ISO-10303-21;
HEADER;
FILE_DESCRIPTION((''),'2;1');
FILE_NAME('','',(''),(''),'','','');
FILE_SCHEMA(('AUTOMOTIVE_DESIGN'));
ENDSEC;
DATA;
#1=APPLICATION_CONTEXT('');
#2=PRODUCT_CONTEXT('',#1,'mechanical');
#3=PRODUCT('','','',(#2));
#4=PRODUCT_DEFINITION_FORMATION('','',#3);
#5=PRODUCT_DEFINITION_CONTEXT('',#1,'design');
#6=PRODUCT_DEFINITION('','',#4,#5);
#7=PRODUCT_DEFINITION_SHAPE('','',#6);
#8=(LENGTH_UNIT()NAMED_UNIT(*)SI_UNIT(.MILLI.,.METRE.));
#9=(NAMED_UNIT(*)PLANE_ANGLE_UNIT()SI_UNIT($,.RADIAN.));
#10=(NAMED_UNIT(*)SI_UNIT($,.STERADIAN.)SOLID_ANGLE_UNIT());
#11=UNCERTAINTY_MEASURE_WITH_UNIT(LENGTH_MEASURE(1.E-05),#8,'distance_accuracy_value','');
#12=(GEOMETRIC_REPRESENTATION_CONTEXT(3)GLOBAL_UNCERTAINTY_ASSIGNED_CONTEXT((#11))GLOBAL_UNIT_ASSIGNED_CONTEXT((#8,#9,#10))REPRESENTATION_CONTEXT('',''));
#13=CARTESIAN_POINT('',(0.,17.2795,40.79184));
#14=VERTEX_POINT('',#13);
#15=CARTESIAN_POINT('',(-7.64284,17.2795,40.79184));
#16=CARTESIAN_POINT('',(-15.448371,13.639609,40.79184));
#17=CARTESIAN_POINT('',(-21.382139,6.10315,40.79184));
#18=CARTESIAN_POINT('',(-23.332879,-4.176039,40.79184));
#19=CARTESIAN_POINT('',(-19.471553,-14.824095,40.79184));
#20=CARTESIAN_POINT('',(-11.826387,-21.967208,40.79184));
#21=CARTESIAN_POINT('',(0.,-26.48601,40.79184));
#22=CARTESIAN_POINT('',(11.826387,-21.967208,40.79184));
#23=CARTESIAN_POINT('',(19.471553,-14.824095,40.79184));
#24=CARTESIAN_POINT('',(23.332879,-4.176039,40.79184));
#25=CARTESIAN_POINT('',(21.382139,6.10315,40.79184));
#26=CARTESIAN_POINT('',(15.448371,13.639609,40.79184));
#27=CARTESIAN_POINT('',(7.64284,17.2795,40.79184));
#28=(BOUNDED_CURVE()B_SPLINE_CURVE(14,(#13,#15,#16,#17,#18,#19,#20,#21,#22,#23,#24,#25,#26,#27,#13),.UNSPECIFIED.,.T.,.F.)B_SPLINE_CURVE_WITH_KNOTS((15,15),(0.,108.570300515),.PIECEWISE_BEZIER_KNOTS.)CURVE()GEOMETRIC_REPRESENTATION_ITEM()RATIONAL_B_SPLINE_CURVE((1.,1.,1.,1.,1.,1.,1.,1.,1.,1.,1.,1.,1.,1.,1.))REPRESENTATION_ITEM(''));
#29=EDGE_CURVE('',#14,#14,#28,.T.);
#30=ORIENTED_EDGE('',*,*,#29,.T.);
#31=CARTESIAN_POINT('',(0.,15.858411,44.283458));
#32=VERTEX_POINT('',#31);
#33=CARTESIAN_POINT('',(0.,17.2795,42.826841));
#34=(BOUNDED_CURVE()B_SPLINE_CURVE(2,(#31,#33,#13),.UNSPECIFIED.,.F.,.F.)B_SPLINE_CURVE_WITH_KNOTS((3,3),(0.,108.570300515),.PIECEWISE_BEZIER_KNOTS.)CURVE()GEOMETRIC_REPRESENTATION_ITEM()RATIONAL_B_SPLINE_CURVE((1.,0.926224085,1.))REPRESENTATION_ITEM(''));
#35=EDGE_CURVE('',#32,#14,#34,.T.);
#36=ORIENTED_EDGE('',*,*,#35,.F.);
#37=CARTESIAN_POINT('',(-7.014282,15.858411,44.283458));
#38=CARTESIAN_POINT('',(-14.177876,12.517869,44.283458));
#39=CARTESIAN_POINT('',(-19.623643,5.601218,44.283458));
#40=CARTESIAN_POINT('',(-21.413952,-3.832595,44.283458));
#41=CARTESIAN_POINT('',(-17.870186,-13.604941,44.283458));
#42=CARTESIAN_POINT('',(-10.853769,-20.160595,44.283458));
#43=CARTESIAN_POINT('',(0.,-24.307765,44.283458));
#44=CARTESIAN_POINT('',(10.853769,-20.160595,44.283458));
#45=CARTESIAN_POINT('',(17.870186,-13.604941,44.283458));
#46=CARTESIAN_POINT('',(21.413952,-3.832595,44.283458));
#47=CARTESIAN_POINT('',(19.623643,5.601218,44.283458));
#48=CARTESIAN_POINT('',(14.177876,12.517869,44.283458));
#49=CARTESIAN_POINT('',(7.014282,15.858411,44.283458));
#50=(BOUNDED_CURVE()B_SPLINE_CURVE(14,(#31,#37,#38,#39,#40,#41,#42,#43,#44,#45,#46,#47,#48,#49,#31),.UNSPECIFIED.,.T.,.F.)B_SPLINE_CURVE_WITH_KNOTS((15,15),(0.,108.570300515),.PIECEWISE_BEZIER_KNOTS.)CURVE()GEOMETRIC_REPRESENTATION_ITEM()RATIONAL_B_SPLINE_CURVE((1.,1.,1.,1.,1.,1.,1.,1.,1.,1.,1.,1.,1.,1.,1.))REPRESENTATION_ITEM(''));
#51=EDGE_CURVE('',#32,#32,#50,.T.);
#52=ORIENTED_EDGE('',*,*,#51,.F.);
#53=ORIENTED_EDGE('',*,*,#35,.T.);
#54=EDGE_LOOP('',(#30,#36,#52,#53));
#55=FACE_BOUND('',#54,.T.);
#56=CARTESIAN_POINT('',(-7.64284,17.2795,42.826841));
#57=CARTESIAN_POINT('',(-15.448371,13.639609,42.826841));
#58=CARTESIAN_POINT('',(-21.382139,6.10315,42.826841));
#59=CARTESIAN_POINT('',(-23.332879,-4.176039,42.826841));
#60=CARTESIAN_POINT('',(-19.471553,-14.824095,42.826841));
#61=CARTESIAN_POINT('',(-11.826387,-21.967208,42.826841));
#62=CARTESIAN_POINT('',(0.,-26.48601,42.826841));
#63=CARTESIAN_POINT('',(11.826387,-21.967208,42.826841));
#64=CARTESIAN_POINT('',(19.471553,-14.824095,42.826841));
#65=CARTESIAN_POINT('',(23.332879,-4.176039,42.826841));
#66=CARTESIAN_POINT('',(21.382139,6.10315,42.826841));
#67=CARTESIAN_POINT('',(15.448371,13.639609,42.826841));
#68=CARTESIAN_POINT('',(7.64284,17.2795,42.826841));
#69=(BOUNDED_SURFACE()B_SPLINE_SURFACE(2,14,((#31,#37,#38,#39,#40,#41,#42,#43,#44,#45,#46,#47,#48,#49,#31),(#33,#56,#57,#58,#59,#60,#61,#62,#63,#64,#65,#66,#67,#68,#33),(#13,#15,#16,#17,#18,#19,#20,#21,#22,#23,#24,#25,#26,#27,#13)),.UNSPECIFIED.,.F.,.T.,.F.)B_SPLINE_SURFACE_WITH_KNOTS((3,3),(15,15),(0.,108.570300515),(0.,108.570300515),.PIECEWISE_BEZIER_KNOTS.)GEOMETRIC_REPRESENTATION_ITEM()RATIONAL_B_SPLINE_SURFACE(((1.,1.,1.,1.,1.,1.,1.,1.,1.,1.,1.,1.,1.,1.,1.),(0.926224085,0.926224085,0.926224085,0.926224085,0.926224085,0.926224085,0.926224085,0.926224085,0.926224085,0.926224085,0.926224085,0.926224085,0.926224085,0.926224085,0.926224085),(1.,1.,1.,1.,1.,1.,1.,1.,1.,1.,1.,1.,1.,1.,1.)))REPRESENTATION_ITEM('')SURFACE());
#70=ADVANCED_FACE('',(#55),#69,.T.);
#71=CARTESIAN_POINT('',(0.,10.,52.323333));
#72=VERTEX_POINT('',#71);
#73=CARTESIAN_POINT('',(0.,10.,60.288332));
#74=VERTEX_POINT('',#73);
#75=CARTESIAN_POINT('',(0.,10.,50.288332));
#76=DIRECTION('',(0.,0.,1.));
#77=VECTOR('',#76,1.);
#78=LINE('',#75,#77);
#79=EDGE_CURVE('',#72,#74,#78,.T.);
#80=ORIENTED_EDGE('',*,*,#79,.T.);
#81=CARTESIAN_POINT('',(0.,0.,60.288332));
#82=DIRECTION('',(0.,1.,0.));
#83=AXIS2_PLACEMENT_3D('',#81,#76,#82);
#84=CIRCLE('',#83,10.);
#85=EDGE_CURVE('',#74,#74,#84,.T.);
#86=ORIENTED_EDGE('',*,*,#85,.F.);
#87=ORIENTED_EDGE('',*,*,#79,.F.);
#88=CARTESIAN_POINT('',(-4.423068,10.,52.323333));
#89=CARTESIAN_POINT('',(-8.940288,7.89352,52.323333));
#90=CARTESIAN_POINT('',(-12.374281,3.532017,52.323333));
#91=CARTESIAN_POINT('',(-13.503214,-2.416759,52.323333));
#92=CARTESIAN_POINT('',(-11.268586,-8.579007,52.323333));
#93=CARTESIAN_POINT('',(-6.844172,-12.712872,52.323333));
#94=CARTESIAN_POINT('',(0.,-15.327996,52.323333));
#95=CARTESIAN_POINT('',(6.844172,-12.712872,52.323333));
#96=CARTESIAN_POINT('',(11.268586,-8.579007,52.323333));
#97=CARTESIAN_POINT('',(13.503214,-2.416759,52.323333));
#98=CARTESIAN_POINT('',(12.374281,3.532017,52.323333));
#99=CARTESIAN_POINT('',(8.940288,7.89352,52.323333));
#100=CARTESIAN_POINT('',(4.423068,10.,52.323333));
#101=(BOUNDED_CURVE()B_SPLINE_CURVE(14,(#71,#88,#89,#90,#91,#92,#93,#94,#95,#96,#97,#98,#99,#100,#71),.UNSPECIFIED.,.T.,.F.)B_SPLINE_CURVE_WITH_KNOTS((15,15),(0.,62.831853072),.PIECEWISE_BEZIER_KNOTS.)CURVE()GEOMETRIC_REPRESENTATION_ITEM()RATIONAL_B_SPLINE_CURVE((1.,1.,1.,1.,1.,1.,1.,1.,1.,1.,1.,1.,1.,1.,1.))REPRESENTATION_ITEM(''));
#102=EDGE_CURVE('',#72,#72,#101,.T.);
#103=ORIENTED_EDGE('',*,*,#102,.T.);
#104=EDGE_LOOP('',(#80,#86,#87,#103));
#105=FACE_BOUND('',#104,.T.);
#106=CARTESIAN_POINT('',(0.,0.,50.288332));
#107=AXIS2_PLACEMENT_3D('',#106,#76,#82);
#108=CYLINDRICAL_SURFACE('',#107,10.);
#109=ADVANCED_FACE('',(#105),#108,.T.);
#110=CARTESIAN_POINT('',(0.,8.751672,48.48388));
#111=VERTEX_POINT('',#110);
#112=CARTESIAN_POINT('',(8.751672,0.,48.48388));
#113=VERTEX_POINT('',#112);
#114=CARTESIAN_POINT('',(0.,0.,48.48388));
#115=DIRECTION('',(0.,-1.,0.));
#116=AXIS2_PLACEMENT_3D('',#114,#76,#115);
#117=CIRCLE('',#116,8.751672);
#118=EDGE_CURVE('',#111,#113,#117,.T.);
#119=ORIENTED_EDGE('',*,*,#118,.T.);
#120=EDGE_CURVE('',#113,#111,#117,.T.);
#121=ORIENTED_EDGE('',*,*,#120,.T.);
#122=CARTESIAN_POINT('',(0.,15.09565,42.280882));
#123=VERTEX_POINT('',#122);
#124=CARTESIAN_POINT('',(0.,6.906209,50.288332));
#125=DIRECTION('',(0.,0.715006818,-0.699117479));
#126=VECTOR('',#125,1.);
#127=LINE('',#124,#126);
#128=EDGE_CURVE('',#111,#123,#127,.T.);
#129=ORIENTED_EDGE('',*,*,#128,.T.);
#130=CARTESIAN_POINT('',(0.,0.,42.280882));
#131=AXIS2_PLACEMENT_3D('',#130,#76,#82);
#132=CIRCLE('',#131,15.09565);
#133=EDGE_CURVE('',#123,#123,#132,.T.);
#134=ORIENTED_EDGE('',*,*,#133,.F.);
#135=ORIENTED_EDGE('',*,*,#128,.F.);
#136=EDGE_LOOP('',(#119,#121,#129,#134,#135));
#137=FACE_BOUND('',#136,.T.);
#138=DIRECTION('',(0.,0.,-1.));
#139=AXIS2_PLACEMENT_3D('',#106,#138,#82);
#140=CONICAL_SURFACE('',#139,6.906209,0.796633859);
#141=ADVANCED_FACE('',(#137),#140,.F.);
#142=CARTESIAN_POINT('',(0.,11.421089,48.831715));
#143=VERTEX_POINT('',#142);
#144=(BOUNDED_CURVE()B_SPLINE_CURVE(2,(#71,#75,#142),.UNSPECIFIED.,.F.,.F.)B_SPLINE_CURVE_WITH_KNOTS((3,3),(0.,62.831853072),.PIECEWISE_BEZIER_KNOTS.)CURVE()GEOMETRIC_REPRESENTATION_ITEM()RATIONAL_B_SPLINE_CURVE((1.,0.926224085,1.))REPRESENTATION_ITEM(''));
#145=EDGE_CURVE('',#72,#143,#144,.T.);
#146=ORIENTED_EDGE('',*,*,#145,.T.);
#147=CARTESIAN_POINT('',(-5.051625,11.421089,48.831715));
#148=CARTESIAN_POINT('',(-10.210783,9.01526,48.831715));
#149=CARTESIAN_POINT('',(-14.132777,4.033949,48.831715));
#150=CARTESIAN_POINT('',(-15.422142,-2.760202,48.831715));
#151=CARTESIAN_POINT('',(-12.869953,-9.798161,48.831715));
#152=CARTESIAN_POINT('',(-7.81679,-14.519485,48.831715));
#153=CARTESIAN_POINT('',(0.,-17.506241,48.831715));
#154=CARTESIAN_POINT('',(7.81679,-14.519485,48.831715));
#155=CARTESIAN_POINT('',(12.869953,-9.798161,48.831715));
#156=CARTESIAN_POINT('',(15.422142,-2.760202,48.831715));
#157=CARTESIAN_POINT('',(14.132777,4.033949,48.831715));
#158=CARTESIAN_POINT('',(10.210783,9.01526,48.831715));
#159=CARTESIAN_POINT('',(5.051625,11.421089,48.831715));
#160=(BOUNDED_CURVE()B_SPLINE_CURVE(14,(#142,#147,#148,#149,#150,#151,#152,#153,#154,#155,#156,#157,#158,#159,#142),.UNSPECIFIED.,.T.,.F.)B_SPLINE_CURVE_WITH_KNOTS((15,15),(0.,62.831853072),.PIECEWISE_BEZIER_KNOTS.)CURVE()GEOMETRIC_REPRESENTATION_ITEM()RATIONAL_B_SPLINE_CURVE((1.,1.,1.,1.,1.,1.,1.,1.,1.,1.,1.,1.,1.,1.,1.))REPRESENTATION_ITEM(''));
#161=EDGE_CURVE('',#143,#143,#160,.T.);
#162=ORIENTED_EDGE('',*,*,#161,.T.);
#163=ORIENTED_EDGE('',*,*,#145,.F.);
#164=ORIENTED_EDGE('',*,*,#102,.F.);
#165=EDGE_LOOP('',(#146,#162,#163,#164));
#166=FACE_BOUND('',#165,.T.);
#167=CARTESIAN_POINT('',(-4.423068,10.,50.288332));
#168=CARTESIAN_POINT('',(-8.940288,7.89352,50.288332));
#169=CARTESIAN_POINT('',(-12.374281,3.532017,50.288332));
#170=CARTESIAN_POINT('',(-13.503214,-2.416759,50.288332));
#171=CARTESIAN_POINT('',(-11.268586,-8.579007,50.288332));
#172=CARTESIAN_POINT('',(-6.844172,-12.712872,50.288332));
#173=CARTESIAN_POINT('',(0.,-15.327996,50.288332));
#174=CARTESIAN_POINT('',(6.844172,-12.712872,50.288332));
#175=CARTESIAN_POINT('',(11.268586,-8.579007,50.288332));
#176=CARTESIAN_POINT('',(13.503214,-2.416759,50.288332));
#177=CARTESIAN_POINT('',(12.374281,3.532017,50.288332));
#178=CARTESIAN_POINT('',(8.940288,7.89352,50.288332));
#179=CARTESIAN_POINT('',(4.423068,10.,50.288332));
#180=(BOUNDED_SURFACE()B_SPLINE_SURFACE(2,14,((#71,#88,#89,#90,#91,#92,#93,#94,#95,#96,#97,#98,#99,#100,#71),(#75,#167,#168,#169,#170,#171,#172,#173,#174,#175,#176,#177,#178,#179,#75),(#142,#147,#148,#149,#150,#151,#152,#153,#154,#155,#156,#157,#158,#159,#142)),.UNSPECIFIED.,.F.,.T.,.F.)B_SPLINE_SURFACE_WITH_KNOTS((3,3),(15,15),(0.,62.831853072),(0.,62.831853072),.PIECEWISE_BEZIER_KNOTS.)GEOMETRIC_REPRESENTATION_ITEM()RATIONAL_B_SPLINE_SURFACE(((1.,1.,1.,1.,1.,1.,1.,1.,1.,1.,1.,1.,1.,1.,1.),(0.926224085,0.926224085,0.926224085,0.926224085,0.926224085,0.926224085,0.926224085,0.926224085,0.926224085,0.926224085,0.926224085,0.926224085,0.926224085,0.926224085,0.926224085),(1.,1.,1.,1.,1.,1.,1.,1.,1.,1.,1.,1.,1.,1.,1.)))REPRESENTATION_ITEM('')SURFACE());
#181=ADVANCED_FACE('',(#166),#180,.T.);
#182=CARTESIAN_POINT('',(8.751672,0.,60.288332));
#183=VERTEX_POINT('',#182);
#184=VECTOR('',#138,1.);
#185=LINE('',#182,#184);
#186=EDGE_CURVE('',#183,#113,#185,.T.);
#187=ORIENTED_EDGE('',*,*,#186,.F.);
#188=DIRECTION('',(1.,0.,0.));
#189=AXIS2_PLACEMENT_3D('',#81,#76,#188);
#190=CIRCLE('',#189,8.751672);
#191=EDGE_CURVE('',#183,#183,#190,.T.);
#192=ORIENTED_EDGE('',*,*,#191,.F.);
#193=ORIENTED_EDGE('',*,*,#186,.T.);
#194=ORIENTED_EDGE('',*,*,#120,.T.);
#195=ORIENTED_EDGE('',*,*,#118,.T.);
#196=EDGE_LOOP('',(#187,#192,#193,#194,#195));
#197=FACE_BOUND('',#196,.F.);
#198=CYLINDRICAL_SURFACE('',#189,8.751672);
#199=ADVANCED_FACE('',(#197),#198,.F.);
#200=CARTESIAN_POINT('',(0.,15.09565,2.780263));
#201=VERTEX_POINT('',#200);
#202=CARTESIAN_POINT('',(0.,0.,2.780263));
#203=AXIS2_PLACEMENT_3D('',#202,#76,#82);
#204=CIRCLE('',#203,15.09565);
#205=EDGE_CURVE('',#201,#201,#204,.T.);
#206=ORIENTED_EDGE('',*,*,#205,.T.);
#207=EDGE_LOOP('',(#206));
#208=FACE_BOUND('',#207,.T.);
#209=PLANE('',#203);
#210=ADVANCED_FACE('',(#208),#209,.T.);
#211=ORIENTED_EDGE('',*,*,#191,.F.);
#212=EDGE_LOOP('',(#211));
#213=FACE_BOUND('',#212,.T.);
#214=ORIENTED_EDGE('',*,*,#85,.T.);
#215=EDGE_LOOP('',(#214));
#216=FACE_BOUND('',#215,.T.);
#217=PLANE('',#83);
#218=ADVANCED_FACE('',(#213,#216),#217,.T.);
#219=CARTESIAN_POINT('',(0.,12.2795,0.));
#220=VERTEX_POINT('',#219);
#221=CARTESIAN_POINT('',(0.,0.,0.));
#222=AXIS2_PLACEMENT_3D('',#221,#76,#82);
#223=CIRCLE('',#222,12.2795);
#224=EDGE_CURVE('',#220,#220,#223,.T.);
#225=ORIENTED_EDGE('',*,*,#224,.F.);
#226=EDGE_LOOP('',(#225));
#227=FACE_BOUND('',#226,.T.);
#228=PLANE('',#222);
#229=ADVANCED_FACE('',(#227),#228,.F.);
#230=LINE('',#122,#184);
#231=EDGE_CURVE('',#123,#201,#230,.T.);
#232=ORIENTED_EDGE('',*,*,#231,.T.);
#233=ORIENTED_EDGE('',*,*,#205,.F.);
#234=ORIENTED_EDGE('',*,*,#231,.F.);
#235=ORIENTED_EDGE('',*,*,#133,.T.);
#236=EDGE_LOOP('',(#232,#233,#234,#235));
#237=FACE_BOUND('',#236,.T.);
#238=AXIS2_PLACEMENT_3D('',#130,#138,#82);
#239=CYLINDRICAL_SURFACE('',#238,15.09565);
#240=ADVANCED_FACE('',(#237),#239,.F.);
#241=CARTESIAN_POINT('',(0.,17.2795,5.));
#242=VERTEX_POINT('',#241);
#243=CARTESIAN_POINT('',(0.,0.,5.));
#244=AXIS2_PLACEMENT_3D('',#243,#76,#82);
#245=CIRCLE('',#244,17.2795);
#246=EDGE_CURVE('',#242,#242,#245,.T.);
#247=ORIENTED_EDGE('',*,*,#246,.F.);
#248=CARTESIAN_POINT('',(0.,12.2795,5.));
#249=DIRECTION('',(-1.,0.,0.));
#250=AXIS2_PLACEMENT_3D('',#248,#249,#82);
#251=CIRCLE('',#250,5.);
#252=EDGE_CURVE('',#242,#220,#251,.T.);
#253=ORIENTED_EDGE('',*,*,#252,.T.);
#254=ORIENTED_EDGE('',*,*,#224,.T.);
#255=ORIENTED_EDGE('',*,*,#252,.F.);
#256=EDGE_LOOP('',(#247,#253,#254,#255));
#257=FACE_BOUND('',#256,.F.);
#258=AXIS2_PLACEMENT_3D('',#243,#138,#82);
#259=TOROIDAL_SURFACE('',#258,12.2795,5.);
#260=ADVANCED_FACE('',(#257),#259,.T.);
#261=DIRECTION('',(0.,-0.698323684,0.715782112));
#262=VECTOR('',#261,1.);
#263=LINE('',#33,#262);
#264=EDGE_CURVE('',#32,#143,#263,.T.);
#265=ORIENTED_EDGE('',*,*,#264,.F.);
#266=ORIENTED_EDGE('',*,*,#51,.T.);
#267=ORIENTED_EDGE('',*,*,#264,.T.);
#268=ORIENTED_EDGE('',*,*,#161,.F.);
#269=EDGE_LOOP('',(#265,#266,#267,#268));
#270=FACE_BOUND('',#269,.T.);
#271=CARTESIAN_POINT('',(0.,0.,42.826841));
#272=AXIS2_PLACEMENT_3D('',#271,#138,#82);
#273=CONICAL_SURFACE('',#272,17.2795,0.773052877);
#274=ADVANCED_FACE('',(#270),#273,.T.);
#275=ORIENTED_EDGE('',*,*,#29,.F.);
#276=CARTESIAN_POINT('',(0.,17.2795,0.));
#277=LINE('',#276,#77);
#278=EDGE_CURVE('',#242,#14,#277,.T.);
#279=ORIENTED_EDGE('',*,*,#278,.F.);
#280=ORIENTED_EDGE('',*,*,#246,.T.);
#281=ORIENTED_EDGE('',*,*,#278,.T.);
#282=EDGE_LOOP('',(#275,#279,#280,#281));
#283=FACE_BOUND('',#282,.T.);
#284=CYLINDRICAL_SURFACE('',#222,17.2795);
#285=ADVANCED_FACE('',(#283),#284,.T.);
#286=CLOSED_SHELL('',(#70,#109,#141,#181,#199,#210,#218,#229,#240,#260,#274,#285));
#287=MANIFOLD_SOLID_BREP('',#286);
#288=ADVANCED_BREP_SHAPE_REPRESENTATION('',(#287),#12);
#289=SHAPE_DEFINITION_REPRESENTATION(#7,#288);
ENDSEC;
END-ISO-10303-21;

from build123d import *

# Parameters (mm, degrees)
F3_R     = 8.751672
F4_DEPTH = 25
F5_R     = 5


with BuildPart() as f2:
    # F0 (on Right) → F2 (revolve)
    with BuildSketch(Plane.YZ):
        Polygon((10, 60.288332), (0, 60.288332), (0, 57.74051), (6.906209, 57.74051), (6.906209, 50.288332), (15.09565, 42.280882), (15.09565, 2.780263), (0, 2.780263), (0, 0), (17.2795, 0), (17.2795, 42.826841), (10, 50.288332), align=None)
    revolve(axis=Axis((0, 0, 30.372418), (0, 0, 1)))

    # F3 (on face) → F4 (cut)
    with BuildSketch(Plane.XY.offset(60.288332)):
        Circle(F3_R)
    extrude(amount=-F4_DEPTH, mode=Mode.SUBTRACT)

    # F5
    f5_edges = [f2.edges().sort_by_distance(p)[0] for p in [
        (0, -10, 50.288332),
        (0, -17.2795, 42.826841),
        (0, -17.2795, 0),
    ]]
    fillet(f5_edges, radius=F5_R)


solid = f2.part
